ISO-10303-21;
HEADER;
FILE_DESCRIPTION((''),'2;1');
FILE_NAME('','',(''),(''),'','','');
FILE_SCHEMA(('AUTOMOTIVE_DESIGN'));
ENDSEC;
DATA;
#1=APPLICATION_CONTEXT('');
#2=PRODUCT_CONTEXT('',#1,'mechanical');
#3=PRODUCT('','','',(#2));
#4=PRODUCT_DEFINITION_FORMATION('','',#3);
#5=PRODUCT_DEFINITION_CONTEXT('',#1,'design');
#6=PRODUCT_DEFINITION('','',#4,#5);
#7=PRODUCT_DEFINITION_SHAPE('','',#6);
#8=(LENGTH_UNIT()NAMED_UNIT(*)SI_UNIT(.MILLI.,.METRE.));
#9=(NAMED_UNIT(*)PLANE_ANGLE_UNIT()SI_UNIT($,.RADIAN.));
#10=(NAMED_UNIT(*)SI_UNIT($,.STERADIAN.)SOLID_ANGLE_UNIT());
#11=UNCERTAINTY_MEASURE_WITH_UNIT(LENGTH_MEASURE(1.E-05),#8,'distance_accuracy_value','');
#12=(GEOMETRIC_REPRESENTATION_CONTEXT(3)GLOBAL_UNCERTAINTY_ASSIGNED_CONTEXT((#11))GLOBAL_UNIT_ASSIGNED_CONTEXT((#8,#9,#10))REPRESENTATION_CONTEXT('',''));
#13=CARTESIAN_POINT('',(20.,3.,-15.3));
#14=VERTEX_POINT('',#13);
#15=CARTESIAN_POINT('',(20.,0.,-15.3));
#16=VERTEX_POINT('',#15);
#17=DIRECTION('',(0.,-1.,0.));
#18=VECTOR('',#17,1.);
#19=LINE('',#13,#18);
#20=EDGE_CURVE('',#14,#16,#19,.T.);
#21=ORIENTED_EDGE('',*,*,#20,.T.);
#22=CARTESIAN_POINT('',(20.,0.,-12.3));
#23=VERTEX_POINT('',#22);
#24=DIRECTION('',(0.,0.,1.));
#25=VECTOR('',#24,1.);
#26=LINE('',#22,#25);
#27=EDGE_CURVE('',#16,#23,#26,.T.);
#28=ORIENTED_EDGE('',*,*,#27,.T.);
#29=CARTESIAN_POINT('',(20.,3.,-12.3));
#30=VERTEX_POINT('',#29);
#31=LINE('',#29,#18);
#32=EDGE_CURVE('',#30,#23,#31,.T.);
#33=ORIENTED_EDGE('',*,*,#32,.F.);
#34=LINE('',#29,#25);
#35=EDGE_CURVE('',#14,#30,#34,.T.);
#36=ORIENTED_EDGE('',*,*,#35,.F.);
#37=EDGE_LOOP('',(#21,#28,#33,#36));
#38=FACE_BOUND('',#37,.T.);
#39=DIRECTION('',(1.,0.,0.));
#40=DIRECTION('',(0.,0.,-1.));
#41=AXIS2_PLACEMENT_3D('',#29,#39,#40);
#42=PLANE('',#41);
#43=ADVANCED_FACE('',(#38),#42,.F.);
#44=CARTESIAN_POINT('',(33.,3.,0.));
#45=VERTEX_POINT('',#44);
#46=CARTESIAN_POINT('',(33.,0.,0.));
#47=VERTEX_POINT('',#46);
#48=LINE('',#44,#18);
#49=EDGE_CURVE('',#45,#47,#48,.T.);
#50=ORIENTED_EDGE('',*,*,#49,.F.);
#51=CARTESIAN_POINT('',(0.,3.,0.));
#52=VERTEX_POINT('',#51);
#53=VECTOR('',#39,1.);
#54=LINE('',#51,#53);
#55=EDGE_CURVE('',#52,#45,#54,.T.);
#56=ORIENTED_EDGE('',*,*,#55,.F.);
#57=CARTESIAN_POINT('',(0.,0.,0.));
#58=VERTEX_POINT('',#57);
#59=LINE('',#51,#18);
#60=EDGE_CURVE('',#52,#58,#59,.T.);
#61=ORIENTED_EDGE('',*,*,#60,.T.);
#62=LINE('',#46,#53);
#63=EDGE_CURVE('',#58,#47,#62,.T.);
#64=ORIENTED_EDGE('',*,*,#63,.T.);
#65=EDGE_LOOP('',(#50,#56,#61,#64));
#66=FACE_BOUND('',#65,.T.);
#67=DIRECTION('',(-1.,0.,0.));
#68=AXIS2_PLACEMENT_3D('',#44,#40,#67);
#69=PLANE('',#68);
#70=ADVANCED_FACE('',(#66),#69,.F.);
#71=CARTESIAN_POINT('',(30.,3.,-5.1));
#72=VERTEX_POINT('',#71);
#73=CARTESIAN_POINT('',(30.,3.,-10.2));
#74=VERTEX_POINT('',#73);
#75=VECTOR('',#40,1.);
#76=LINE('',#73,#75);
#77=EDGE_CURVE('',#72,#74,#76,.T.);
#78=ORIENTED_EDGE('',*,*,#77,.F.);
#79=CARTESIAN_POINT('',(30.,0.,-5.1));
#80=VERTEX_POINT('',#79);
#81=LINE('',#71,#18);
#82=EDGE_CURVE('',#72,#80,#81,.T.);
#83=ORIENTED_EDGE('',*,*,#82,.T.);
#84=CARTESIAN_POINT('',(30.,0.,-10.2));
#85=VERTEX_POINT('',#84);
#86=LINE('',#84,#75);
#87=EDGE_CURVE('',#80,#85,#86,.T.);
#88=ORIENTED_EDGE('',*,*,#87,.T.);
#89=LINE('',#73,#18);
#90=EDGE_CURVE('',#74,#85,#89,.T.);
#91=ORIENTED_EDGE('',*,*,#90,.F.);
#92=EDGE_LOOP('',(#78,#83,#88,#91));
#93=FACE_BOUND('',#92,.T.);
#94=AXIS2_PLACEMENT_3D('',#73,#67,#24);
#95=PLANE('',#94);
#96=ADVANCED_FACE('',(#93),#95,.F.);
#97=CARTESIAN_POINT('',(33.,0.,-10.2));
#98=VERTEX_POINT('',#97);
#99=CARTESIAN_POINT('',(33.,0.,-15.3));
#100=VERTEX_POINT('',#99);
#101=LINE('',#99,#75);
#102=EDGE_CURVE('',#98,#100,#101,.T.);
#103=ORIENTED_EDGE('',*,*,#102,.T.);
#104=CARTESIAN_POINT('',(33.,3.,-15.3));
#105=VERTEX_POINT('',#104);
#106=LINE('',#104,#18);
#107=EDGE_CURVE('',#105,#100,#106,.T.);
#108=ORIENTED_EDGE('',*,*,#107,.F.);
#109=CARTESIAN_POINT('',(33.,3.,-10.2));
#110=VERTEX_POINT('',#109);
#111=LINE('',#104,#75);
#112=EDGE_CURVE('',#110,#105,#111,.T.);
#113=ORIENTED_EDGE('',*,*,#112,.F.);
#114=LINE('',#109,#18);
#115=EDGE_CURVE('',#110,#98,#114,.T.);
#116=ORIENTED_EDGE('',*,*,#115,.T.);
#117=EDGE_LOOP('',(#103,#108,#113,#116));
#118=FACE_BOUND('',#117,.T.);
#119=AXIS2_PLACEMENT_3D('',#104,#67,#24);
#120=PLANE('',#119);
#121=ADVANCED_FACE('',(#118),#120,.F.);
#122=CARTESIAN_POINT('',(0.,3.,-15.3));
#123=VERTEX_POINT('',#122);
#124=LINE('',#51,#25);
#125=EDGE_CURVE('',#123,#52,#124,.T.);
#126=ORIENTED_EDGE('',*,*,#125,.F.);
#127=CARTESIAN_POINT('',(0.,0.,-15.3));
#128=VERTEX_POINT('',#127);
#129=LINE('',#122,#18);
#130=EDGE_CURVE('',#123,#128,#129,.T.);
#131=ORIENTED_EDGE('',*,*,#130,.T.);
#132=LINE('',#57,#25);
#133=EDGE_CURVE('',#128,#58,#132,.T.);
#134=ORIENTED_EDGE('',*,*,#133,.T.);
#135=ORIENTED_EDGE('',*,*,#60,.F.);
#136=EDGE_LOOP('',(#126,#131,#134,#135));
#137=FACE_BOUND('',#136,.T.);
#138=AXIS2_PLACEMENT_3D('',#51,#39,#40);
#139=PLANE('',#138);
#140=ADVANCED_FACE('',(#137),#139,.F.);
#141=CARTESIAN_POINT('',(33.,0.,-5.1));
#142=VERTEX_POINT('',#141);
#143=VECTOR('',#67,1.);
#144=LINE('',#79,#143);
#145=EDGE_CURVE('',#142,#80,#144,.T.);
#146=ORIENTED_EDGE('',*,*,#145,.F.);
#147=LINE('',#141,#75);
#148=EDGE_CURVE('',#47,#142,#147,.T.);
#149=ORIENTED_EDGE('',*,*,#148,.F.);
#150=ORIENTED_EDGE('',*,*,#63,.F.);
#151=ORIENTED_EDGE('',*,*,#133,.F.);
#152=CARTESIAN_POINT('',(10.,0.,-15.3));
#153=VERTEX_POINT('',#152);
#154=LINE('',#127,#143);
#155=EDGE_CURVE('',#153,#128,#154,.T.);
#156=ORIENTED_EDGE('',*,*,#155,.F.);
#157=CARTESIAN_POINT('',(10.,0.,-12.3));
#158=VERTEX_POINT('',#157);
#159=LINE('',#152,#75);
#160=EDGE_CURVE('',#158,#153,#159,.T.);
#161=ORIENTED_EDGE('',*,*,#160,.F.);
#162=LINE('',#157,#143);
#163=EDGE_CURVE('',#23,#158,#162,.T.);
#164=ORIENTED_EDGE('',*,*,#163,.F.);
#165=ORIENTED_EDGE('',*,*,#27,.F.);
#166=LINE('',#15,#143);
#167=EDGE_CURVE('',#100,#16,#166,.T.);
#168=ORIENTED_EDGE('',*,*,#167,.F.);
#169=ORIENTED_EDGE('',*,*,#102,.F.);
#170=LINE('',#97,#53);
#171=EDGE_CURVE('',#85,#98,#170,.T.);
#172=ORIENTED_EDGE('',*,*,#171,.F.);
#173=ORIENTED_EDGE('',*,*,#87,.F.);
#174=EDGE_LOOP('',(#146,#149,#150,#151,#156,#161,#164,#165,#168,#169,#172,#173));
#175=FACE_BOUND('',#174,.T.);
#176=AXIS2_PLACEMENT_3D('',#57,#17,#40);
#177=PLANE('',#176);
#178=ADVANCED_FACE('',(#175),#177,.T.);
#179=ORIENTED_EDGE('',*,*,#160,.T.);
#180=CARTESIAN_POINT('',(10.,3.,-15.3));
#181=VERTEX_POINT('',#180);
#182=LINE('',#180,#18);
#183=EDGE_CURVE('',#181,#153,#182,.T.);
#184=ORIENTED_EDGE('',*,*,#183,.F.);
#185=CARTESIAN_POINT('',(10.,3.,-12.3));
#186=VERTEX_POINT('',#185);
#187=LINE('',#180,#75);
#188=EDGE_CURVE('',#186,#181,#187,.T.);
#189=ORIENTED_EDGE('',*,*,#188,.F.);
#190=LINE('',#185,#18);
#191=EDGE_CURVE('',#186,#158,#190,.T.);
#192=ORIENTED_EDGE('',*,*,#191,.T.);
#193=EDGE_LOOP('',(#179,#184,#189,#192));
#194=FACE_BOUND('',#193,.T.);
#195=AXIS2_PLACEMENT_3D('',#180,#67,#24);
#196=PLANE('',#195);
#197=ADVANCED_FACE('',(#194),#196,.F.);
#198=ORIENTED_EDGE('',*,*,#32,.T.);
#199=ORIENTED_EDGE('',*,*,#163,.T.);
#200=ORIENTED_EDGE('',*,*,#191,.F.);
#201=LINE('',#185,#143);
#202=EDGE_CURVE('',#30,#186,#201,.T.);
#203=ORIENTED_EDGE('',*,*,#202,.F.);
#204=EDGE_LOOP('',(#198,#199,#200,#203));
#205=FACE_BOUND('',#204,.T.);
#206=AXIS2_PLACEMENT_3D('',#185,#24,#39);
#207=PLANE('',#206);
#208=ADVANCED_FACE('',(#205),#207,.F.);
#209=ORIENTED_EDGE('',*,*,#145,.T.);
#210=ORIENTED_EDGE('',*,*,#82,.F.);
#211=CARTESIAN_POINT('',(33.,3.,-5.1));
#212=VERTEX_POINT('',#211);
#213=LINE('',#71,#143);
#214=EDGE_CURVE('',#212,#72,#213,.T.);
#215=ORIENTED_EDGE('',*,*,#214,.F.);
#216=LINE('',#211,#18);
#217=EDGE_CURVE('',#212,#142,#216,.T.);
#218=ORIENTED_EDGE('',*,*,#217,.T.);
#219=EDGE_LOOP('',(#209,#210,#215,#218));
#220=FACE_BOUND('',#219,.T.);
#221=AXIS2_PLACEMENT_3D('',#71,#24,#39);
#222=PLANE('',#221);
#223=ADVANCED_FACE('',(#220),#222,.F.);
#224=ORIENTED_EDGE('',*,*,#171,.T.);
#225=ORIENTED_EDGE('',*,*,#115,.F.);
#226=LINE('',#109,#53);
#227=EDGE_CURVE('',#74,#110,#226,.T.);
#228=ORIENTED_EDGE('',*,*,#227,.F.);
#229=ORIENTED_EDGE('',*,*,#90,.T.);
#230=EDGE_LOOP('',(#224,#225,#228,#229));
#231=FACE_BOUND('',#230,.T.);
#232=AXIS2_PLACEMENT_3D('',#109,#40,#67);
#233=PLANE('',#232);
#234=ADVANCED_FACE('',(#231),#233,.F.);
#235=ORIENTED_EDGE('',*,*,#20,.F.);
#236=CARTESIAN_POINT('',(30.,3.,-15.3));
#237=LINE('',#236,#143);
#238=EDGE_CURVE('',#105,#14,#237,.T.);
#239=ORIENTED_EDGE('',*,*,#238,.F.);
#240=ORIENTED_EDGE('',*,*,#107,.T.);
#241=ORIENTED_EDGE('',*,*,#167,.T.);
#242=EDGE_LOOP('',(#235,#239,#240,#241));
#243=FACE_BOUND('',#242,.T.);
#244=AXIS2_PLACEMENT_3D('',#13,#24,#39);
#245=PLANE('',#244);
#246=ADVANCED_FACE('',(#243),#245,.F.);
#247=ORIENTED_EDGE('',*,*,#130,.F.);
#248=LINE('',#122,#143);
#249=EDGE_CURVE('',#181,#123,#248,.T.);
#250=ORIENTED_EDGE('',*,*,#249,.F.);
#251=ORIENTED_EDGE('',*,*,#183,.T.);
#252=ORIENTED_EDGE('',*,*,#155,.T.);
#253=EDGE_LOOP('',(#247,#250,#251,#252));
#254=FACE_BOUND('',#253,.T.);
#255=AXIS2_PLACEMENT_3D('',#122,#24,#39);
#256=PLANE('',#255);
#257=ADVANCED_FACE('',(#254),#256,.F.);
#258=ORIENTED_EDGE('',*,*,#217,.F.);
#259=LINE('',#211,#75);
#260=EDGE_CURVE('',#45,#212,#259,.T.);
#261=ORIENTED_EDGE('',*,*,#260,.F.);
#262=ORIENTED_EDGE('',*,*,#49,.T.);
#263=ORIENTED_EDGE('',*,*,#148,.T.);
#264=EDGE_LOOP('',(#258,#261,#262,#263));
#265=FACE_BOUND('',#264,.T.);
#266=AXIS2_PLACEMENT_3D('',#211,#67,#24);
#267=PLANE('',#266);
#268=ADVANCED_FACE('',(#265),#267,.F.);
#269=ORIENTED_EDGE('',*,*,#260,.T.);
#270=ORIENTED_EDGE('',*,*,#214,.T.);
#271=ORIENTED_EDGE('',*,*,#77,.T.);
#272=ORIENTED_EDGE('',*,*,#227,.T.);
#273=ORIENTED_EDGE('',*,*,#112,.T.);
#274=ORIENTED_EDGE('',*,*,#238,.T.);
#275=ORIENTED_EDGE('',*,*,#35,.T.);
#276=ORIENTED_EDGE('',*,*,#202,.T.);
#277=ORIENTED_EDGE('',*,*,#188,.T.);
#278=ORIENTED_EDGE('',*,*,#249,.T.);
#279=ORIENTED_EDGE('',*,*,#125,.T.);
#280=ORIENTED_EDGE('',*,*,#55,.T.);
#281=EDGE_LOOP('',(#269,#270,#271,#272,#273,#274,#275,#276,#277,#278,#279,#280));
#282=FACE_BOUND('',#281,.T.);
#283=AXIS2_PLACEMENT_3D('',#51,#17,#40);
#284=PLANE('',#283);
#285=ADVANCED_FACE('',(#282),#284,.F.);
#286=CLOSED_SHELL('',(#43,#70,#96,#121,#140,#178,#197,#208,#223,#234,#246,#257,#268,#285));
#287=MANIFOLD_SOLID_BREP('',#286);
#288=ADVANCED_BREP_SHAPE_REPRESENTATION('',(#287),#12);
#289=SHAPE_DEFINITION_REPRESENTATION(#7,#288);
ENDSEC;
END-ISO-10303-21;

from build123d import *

# Parameters (mm, degrees)
BOSS_EXTRUDE1_DEPTH = 3


with BuildPart() as part:
    # Sketch1 → Boss-Extrude1 (new body)
    with BuildSketch(Plane(origin=(0, 0, 0), x_dir=(1, 0, 0), z_dir=(0, 1, 0))):
        Polygon((0, 0), (30, 0), (33, 0), (33, 5.1), (30, 5.1), (30, 10.2), (33, 10.2), (33, 15.3), (30, 15.3), (20, 15.3), (20, 12.3), (10, 12.3), (10, 15.3), (0, 15.3), align=None)
    extrude(amount=BOSS_EXTRUDE1_DEPTH)


solid = part.part
